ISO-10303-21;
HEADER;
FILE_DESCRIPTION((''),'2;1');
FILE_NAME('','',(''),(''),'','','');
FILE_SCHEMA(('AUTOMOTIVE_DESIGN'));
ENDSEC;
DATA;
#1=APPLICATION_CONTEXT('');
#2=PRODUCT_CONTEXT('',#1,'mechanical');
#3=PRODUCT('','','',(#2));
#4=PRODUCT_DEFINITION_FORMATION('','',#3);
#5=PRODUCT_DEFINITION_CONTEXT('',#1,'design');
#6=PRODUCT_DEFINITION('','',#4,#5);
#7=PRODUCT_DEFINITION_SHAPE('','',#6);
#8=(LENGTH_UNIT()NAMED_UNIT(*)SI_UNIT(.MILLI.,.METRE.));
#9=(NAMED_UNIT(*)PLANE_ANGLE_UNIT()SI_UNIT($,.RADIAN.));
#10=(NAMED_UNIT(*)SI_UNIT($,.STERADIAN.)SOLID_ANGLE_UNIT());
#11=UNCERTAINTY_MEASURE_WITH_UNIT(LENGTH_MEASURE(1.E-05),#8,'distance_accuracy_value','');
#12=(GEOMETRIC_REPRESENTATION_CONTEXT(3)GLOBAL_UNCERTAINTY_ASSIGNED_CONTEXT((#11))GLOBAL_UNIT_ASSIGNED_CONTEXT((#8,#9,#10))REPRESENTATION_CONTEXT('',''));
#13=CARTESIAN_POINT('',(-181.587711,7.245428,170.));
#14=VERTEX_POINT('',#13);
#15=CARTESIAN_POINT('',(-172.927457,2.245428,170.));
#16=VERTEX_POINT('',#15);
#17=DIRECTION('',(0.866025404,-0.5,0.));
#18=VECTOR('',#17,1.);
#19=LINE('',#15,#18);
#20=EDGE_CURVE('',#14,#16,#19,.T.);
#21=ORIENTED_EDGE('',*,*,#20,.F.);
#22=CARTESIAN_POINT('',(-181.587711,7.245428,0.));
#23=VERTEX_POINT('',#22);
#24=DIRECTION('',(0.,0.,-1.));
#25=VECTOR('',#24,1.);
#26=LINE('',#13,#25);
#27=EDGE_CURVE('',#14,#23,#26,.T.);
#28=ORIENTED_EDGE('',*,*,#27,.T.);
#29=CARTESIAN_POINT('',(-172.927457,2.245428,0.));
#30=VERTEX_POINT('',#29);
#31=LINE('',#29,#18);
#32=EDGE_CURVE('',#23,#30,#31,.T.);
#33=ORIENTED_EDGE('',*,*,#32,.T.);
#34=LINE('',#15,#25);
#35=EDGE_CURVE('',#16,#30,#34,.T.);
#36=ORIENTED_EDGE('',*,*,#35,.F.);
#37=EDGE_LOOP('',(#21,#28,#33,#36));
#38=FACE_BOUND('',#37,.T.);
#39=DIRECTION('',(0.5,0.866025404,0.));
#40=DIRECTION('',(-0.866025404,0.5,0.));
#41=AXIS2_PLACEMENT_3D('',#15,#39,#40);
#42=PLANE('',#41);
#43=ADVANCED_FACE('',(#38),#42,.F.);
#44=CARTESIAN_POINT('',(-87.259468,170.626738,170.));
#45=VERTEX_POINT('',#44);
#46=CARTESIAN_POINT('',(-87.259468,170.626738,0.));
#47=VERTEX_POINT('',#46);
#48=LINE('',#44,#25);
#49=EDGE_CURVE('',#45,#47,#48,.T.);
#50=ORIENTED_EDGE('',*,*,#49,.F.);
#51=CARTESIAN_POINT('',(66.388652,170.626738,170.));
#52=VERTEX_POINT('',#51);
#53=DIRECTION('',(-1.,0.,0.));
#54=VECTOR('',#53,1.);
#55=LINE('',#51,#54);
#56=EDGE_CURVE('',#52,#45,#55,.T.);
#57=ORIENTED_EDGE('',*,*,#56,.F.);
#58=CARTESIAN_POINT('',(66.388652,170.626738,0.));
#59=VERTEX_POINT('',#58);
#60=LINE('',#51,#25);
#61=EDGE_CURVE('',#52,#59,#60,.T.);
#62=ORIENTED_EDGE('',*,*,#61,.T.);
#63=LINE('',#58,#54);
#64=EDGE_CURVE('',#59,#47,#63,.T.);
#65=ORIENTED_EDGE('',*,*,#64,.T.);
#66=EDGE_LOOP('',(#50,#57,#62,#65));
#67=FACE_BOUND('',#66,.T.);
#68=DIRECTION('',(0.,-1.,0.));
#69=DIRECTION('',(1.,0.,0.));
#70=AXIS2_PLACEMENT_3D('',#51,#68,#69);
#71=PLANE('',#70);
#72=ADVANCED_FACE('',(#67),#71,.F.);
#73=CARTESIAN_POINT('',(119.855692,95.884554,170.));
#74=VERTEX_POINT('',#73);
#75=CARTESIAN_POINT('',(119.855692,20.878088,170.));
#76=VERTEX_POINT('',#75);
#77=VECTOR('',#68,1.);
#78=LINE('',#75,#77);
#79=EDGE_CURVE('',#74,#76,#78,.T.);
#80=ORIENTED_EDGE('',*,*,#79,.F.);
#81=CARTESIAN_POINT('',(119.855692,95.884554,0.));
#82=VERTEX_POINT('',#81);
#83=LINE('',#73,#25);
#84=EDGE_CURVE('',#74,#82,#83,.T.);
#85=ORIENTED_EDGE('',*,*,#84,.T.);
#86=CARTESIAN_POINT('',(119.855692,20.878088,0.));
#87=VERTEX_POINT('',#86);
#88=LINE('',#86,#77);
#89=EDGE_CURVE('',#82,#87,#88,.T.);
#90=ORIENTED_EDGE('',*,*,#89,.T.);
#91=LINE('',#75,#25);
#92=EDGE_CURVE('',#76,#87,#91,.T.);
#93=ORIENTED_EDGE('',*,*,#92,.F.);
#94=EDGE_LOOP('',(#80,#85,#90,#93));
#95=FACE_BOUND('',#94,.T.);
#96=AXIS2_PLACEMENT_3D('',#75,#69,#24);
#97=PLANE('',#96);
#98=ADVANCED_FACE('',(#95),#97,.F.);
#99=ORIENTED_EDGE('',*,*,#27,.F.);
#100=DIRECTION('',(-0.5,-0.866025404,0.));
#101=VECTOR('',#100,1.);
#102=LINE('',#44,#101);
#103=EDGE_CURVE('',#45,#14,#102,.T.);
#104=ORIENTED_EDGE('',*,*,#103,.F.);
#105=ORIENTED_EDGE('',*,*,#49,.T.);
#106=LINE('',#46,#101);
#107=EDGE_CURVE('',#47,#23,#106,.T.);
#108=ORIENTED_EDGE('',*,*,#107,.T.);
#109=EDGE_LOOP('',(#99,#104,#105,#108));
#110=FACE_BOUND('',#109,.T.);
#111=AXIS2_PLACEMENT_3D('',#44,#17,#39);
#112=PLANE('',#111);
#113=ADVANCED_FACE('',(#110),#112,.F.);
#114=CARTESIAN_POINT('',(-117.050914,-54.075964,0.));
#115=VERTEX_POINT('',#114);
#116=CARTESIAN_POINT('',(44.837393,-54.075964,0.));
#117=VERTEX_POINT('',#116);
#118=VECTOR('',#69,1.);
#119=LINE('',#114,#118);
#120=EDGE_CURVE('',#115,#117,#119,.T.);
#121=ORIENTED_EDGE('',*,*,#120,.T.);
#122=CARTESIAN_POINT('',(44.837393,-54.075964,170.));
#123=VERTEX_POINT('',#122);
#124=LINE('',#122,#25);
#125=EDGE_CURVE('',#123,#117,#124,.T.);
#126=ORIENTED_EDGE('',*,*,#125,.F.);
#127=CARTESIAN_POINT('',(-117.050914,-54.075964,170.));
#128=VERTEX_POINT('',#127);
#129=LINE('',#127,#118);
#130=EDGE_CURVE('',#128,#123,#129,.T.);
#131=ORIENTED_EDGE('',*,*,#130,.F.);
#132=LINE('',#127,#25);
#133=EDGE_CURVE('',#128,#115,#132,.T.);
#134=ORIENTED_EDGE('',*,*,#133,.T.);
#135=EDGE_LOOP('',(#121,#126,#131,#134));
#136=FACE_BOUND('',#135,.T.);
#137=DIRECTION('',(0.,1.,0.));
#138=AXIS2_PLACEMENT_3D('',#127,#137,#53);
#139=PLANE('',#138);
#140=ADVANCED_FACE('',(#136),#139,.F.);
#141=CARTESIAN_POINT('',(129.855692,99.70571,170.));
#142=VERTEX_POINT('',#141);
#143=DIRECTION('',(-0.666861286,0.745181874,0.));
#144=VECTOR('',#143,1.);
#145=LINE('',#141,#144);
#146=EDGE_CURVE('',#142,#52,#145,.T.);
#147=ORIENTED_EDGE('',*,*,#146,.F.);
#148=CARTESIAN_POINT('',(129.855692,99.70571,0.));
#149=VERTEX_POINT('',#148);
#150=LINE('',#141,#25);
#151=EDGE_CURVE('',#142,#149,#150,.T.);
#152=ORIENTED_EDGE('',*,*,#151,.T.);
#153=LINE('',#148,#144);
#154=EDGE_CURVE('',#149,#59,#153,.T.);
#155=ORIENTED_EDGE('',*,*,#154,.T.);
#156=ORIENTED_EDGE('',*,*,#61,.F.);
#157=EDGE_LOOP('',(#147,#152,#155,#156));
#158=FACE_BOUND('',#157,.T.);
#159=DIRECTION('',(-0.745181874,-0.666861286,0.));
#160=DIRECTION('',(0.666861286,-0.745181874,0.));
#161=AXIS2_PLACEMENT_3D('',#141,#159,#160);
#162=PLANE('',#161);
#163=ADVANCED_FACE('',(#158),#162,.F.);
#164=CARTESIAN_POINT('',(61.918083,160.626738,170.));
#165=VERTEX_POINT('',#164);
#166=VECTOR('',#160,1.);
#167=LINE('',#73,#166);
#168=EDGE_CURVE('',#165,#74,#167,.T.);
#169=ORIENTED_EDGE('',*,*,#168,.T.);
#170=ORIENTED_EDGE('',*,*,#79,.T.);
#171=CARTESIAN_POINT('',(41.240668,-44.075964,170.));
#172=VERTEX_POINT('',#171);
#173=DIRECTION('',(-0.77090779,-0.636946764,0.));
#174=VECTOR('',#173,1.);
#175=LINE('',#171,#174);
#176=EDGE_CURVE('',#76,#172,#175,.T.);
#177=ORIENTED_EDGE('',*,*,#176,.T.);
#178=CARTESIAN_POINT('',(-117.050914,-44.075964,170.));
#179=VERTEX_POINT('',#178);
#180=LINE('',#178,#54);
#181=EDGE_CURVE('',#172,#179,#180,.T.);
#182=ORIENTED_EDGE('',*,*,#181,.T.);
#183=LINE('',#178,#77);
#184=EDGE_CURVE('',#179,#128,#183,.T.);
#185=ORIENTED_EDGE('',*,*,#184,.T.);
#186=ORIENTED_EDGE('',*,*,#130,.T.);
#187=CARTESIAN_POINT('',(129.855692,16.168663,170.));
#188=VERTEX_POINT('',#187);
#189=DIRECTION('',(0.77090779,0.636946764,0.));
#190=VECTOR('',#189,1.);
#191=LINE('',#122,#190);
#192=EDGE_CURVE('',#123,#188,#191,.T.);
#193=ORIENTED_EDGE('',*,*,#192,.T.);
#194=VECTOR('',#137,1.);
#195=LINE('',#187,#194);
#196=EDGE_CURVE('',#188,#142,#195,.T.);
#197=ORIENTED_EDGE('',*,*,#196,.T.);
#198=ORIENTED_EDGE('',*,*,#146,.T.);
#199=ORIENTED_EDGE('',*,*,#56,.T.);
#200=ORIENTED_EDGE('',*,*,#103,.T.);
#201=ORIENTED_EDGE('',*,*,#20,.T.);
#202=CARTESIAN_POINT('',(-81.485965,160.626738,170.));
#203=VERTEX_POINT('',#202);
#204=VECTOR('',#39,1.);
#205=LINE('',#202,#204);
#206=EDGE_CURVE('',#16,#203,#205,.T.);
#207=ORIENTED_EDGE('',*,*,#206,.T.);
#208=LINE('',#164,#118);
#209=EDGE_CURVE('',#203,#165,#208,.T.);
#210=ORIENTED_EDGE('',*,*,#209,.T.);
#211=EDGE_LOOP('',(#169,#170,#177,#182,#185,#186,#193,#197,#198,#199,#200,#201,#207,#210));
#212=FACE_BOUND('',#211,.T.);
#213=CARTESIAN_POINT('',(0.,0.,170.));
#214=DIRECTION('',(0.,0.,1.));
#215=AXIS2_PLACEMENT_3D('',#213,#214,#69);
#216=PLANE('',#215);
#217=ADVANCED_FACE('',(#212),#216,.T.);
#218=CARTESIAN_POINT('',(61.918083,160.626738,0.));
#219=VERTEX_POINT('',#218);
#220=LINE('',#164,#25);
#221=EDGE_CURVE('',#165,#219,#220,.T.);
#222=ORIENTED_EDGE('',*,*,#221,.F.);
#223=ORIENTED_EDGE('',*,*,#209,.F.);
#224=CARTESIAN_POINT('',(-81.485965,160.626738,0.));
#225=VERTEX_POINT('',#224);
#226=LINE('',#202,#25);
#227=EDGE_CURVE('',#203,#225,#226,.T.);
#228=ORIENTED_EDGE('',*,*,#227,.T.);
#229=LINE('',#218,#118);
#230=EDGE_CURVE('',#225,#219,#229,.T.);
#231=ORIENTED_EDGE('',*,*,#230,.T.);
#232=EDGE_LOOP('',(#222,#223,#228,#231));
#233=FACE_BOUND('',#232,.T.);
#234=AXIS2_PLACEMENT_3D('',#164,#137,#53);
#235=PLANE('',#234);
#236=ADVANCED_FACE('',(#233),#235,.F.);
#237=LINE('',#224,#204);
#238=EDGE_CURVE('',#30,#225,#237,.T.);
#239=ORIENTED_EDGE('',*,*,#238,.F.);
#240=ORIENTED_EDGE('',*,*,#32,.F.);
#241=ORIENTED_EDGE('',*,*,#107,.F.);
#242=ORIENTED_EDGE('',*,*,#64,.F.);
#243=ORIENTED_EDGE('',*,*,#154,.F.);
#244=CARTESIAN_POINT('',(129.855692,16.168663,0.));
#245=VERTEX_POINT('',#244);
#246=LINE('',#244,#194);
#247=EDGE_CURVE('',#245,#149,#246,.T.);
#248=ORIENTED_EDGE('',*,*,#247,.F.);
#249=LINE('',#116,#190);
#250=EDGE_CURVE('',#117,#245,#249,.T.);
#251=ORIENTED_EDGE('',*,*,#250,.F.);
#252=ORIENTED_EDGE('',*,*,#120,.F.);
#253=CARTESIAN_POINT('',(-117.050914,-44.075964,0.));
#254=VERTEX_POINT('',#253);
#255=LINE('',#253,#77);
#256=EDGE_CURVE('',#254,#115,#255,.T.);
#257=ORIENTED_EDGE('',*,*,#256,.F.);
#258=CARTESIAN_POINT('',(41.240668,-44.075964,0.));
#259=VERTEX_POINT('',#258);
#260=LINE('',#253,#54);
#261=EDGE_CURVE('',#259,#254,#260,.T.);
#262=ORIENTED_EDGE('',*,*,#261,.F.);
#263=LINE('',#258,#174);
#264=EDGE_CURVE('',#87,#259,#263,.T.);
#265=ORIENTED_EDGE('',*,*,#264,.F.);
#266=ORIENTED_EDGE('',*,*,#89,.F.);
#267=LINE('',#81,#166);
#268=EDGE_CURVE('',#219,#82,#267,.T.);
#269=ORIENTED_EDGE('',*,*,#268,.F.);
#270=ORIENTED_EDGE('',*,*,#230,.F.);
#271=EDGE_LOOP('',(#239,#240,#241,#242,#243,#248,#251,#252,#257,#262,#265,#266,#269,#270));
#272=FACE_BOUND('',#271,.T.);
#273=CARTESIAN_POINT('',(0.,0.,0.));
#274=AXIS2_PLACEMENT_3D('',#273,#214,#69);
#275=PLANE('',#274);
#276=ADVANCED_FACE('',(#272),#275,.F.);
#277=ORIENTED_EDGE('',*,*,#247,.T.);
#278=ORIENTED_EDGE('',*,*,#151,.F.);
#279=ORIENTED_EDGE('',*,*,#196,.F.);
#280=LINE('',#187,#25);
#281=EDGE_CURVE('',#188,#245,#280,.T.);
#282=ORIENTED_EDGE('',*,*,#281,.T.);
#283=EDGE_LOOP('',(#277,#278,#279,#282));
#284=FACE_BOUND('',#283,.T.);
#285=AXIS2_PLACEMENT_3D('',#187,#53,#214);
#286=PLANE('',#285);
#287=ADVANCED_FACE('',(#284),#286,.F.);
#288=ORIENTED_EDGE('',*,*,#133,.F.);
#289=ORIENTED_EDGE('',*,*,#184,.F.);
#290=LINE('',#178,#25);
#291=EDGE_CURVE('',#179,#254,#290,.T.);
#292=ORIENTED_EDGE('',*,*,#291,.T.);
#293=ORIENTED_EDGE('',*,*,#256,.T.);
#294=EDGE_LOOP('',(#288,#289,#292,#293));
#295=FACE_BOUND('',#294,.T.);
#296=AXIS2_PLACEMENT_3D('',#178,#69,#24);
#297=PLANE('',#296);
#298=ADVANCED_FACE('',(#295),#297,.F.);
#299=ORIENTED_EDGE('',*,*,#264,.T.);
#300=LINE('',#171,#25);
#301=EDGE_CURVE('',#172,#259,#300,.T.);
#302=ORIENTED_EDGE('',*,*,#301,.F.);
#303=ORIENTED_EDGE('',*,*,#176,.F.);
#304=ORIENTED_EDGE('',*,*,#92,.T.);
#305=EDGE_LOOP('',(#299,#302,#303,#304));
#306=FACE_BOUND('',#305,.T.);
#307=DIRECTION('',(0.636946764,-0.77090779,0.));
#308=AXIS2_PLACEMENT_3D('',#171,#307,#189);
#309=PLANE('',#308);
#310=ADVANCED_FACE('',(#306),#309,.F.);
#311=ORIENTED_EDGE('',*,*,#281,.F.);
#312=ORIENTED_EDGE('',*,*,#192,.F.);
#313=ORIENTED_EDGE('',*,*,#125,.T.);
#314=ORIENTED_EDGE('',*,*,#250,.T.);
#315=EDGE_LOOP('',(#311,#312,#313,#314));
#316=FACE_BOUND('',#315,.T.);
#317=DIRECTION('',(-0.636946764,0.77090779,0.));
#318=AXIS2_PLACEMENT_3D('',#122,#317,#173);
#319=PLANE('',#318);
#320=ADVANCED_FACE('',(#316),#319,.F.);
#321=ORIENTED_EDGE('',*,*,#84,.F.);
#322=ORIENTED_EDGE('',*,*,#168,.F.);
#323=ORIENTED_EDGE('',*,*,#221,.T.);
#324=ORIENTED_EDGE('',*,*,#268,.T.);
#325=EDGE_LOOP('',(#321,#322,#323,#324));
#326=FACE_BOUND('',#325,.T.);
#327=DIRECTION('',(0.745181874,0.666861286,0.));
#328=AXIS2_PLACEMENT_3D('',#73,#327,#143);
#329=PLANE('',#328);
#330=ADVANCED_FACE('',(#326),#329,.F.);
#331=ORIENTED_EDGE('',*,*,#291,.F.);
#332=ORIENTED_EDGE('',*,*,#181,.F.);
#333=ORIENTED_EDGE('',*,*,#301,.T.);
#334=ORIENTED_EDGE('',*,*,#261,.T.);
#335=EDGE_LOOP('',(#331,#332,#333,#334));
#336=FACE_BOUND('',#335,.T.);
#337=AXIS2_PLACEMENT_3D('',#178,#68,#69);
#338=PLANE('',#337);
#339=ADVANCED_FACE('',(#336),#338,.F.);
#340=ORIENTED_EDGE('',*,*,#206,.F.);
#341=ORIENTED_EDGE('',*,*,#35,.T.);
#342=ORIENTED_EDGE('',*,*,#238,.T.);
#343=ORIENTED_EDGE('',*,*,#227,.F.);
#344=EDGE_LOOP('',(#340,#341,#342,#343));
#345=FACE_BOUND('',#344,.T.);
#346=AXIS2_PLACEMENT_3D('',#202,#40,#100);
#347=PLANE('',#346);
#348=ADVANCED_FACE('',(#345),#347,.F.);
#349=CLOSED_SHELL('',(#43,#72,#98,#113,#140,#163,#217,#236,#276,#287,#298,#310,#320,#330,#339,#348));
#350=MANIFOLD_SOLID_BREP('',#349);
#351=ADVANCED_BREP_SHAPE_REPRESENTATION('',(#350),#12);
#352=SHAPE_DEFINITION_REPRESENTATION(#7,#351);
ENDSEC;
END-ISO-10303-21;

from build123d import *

# Parameters (mm, degrees)
BOSS_EXTRUDE1_DEPTH = 170


with BuildPart() as part:
    # Sketch1 → Boss-Extrude1 (new body)
    with BuildSketch(Plane.XY):
        Polygon((-117.050914431, -44.075964259), (41.240668312, -44.075964259), (119.855692283, 20.878088333), (119.855692283, 95.884553826), (61.918082693, 160.62673846), (-81.485965038, 160.62673846), (-172.927457267, 2.245427999), (-181.587711305, 7.245427999), (-87.25946773, 170.62673846), (66.388651902, 170.62673846), (129.855692283, 99.70571021), (129.855692283, 16.168663405), (44.837392928, -54.075964259), (-117.050914431, -54.075964259), align=None)
    extrude(amount=BOSS_EXTRUDE1_DEPTH)


solid = part.part
